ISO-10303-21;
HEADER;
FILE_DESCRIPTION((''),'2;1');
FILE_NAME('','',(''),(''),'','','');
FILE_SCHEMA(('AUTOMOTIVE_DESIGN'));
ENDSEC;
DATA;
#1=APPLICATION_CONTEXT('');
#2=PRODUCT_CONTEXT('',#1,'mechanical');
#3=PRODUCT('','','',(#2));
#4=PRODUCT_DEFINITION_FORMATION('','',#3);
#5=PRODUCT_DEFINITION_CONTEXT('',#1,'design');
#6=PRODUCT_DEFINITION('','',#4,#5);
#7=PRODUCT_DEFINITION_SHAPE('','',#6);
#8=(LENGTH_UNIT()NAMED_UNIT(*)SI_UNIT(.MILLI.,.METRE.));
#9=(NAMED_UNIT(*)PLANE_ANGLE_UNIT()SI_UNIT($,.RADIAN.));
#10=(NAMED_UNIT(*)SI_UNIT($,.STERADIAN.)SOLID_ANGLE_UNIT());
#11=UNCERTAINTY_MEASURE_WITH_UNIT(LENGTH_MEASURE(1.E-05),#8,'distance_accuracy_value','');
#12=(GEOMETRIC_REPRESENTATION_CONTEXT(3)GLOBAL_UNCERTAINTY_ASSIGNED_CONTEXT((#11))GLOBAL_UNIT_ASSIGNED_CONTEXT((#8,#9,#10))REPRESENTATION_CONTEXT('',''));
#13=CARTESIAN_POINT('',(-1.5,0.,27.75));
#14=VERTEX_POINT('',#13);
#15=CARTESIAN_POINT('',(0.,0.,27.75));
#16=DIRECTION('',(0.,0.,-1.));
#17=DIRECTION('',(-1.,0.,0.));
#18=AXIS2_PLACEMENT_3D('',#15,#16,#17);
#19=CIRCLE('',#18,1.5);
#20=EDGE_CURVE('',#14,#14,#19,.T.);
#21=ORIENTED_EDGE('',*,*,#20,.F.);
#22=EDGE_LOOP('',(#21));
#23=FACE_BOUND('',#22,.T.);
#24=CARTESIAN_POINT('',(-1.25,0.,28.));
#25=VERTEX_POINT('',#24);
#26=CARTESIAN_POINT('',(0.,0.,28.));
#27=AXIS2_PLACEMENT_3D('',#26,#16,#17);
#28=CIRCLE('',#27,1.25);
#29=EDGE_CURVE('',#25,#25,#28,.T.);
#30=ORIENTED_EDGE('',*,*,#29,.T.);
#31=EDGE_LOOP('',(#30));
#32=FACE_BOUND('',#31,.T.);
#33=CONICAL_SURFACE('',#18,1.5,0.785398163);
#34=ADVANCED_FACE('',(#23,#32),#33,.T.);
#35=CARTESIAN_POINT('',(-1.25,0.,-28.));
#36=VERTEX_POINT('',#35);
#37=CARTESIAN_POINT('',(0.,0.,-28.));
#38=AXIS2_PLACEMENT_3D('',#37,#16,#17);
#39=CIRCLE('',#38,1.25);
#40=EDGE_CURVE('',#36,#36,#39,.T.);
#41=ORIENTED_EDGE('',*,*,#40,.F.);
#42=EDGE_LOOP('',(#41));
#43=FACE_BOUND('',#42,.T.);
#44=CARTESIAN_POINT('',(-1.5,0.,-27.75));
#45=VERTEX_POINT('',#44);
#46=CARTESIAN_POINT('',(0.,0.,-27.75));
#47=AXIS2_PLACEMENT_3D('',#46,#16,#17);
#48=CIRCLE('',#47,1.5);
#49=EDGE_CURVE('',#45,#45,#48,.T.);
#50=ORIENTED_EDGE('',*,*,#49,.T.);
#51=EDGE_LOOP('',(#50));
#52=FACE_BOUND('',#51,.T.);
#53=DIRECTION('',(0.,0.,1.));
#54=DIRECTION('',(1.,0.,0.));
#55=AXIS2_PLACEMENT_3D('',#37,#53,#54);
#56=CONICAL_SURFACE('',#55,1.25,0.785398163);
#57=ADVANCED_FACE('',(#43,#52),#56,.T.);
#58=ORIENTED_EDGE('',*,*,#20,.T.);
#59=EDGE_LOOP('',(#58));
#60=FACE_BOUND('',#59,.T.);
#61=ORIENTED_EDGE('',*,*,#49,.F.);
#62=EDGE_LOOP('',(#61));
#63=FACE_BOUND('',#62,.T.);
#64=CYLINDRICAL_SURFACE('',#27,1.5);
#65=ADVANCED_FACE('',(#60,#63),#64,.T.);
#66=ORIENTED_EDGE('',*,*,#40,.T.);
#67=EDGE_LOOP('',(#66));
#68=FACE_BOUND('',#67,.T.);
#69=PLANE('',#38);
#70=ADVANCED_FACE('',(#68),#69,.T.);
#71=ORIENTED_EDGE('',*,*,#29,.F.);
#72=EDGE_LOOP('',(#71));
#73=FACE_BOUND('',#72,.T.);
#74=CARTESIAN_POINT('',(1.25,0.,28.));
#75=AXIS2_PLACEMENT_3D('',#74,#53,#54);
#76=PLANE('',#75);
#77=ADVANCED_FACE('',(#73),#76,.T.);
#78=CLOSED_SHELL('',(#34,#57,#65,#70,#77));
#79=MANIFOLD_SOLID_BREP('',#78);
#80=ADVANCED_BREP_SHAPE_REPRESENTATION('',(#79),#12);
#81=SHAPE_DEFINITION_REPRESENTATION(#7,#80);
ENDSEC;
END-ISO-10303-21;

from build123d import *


with BuildPart() as part:
    # Esquisse1 → Révolution1 (revolve)
    with BuildSketch(Plane.XZ, mode=Mode.PRIVATE) as r_volution1_sk:
        Polygon((1.25, 28), (0, 28), (0, -28), (1.25, -28), (1.5, -27.75), (1.5, 27.75), align=None)
    revolve(r_volution1_sk.sketch.rotate(Axis((0, 0, 28), (0, 0, -1)), 180), axis=Axis((0, 0, 28), (0, 0, -1)))


solid = part.part
